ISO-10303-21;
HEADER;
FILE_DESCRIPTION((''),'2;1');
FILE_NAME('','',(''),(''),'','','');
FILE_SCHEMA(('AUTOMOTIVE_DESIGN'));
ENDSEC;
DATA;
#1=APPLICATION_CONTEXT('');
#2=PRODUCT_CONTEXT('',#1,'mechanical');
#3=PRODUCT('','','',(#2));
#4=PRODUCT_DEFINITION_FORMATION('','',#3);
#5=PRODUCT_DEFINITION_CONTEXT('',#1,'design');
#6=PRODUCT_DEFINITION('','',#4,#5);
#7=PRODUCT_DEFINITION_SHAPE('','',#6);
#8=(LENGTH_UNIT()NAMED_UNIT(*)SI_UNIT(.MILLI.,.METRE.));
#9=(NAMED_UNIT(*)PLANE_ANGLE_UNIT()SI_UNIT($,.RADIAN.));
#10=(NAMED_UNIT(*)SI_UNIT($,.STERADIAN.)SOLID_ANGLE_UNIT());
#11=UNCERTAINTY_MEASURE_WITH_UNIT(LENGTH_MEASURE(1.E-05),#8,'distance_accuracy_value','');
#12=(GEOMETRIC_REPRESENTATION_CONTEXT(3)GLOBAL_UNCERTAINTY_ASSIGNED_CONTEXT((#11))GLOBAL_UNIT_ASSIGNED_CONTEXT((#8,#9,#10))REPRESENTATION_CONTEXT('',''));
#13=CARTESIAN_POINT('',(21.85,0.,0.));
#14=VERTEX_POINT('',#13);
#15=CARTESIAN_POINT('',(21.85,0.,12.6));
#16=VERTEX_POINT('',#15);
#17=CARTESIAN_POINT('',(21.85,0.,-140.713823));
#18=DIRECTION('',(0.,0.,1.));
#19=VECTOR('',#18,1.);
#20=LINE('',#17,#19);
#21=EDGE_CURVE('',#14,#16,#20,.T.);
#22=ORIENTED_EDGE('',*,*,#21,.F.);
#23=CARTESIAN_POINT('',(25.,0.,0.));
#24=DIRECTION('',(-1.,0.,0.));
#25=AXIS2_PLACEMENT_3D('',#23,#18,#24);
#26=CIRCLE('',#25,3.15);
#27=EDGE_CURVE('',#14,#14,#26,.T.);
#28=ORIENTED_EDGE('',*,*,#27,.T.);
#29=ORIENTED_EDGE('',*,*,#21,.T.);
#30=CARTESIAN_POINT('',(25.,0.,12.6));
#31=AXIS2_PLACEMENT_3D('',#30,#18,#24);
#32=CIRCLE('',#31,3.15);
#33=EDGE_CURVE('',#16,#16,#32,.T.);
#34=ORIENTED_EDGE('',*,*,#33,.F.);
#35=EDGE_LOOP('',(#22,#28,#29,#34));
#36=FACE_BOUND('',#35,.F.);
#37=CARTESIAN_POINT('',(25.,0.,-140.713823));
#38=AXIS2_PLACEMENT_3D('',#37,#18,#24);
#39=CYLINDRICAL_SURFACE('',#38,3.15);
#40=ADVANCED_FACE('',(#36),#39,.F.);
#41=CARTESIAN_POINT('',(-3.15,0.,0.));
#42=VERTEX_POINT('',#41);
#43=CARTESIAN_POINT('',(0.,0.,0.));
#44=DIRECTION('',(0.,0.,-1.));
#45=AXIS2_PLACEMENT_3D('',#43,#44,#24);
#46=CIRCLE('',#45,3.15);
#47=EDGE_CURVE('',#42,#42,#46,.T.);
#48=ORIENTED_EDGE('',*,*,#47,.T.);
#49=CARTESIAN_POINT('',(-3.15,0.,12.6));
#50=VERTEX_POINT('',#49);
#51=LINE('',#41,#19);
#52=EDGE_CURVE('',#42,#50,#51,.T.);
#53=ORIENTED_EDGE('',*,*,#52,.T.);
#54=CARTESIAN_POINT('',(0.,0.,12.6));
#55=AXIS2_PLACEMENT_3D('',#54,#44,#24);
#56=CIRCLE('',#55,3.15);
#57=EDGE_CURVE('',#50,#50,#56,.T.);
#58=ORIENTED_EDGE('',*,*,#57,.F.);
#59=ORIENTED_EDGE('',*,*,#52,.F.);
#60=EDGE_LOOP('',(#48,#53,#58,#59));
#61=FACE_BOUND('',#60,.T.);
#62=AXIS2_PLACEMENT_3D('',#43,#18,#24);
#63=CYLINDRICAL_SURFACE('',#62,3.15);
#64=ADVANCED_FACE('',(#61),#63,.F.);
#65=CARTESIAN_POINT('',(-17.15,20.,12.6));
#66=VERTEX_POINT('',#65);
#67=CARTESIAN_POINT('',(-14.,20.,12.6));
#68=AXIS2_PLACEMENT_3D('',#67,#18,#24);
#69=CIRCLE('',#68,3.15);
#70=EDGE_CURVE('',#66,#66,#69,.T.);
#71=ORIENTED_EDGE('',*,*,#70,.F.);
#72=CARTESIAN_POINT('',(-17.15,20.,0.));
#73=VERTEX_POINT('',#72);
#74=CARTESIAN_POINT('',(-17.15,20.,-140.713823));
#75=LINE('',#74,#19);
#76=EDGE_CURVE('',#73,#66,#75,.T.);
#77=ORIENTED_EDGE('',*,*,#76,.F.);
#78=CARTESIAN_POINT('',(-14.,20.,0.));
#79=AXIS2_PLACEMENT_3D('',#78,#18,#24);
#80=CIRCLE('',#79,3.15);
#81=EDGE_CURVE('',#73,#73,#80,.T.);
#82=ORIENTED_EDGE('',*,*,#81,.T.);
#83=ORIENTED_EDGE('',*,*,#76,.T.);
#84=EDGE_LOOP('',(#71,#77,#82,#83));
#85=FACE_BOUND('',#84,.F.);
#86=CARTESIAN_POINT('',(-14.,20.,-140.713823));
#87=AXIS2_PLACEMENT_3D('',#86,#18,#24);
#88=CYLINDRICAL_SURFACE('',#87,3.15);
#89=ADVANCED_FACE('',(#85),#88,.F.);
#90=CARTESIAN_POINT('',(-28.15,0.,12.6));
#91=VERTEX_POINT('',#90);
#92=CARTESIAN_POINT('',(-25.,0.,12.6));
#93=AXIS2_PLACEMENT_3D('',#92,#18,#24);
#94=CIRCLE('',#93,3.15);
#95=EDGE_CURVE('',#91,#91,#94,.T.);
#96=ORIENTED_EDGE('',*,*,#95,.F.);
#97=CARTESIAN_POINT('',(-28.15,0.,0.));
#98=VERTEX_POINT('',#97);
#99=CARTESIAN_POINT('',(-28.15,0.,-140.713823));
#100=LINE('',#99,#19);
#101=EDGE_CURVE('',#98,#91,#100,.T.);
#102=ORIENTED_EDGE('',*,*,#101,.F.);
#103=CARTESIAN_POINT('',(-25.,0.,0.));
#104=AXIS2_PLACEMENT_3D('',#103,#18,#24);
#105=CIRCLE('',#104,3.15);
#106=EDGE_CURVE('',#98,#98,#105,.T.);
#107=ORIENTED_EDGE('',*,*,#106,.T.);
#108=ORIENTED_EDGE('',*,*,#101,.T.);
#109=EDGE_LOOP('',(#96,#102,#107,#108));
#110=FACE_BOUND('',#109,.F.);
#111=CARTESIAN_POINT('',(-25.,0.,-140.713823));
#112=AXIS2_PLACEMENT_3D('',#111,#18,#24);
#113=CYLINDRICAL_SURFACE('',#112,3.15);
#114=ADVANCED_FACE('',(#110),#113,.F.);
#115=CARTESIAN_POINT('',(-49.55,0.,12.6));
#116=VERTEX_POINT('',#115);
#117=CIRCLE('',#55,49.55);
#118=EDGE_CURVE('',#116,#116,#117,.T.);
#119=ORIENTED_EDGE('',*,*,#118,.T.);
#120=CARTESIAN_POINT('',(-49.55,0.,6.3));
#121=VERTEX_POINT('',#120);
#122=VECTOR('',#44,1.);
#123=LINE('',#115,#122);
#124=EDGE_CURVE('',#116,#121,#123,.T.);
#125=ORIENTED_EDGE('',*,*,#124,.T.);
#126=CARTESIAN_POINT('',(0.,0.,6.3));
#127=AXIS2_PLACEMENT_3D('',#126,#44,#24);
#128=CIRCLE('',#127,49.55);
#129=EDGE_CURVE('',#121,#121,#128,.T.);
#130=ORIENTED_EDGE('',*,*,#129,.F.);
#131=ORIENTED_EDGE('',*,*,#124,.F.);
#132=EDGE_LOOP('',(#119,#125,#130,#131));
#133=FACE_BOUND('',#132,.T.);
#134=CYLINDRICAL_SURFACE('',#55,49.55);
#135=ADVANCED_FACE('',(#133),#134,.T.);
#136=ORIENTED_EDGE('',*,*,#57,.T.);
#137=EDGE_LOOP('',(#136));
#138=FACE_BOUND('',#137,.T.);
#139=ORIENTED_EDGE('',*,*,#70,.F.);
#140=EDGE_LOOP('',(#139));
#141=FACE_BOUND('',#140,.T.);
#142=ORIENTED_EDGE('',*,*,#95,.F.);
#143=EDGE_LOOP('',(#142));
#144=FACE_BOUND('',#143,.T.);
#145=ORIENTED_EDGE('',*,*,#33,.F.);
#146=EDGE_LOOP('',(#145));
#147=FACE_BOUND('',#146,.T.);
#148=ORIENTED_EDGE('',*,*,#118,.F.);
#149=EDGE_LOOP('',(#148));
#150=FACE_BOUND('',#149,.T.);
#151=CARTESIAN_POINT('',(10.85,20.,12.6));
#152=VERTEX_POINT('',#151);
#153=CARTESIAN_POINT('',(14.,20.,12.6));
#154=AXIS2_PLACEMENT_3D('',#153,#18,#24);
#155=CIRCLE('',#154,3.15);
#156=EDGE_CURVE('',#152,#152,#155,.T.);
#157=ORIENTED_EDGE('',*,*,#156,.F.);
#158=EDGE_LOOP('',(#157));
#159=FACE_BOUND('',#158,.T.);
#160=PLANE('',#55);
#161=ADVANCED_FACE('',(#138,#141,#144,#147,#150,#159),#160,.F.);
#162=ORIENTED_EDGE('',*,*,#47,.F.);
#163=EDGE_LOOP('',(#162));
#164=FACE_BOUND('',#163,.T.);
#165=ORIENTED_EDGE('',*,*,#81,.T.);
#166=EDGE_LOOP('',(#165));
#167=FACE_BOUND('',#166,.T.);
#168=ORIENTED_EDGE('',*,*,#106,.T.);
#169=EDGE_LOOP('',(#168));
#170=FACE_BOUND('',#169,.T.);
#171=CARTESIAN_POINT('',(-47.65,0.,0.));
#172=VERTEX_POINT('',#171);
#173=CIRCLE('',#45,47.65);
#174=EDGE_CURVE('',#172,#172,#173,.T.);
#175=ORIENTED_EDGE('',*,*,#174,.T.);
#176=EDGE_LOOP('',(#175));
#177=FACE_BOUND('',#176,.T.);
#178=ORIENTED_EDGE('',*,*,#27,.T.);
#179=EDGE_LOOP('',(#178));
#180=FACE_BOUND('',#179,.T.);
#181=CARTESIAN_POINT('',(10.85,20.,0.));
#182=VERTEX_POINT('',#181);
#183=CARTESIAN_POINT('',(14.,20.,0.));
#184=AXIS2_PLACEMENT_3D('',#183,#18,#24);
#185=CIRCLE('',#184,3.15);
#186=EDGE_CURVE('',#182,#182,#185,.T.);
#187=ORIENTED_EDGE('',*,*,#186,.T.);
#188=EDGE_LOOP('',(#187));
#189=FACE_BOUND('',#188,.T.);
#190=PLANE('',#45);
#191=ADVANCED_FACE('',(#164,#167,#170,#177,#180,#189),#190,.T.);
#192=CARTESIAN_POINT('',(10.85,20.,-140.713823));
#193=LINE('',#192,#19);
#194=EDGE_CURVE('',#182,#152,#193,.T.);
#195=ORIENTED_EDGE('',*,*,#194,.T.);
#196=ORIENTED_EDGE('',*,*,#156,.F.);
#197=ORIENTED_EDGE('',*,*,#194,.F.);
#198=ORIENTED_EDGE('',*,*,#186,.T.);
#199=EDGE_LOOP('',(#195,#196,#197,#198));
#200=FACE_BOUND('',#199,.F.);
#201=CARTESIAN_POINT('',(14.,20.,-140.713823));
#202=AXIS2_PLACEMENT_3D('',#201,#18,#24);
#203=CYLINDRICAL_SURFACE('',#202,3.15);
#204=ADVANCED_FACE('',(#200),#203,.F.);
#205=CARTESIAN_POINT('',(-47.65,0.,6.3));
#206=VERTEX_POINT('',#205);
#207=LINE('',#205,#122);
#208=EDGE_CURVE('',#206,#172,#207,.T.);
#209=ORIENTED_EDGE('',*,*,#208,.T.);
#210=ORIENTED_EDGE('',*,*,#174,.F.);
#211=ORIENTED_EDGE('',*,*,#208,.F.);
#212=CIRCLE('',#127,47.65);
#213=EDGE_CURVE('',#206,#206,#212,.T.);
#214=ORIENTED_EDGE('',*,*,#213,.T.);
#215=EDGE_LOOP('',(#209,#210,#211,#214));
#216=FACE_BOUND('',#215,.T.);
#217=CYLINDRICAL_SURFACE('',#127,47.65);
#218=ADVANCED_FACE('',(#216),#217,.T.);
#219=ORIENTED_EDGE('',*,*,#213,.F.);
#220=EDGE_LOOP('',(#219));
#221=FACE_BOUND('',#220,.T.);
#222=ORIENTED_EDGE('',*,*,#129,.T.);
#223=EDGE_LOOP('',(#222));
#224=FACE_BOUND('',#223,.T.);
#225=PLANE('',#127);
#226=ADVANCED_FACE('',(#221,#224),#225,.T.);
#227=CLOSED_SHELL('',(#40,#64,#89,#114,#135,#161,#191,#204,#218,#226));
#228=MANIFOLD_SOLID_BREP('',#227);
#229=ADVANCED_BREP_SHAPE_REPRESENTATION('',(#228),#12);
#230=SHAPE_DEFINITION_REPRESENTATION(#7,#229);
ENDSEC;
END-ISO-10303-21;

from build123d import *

# Parameters (mm, degrees)
F3_D = 6.3
F5_D = 6.3


with BuildPart() as f1:
    # F0 (on Front) → F1 (revolve)
    with BuildSketch(Plane.XZ):
        Polygon((-47.65, 6.3), (-47.65, 0), (-3.15, 0), (-3.15, 12.6), (-49.55, 12.6), (-49.55, 6.3), align=None)
    revolve(axis=Axis((0, 0, -5.1516543608), (0, 0, -1)))

    # F3 (through all)
    with Locations(Plane(origin=(0, 0, 0), x_dir=(1, 0, 0), z_dir=(0, 0, -1))):
        with Locations((25, 0), (-25, 0)):
            Hole(F3_D / 2)

    # F5 (through all)
    with Locations(Plane(origin=(0, 0, 0), x_dir=(1, 0, 0), z_dir=(0, 0, -1))):
        with Locations((-14, -20), (14, -20)):
            Hole(F5_D / 2)


solid = f1.part
